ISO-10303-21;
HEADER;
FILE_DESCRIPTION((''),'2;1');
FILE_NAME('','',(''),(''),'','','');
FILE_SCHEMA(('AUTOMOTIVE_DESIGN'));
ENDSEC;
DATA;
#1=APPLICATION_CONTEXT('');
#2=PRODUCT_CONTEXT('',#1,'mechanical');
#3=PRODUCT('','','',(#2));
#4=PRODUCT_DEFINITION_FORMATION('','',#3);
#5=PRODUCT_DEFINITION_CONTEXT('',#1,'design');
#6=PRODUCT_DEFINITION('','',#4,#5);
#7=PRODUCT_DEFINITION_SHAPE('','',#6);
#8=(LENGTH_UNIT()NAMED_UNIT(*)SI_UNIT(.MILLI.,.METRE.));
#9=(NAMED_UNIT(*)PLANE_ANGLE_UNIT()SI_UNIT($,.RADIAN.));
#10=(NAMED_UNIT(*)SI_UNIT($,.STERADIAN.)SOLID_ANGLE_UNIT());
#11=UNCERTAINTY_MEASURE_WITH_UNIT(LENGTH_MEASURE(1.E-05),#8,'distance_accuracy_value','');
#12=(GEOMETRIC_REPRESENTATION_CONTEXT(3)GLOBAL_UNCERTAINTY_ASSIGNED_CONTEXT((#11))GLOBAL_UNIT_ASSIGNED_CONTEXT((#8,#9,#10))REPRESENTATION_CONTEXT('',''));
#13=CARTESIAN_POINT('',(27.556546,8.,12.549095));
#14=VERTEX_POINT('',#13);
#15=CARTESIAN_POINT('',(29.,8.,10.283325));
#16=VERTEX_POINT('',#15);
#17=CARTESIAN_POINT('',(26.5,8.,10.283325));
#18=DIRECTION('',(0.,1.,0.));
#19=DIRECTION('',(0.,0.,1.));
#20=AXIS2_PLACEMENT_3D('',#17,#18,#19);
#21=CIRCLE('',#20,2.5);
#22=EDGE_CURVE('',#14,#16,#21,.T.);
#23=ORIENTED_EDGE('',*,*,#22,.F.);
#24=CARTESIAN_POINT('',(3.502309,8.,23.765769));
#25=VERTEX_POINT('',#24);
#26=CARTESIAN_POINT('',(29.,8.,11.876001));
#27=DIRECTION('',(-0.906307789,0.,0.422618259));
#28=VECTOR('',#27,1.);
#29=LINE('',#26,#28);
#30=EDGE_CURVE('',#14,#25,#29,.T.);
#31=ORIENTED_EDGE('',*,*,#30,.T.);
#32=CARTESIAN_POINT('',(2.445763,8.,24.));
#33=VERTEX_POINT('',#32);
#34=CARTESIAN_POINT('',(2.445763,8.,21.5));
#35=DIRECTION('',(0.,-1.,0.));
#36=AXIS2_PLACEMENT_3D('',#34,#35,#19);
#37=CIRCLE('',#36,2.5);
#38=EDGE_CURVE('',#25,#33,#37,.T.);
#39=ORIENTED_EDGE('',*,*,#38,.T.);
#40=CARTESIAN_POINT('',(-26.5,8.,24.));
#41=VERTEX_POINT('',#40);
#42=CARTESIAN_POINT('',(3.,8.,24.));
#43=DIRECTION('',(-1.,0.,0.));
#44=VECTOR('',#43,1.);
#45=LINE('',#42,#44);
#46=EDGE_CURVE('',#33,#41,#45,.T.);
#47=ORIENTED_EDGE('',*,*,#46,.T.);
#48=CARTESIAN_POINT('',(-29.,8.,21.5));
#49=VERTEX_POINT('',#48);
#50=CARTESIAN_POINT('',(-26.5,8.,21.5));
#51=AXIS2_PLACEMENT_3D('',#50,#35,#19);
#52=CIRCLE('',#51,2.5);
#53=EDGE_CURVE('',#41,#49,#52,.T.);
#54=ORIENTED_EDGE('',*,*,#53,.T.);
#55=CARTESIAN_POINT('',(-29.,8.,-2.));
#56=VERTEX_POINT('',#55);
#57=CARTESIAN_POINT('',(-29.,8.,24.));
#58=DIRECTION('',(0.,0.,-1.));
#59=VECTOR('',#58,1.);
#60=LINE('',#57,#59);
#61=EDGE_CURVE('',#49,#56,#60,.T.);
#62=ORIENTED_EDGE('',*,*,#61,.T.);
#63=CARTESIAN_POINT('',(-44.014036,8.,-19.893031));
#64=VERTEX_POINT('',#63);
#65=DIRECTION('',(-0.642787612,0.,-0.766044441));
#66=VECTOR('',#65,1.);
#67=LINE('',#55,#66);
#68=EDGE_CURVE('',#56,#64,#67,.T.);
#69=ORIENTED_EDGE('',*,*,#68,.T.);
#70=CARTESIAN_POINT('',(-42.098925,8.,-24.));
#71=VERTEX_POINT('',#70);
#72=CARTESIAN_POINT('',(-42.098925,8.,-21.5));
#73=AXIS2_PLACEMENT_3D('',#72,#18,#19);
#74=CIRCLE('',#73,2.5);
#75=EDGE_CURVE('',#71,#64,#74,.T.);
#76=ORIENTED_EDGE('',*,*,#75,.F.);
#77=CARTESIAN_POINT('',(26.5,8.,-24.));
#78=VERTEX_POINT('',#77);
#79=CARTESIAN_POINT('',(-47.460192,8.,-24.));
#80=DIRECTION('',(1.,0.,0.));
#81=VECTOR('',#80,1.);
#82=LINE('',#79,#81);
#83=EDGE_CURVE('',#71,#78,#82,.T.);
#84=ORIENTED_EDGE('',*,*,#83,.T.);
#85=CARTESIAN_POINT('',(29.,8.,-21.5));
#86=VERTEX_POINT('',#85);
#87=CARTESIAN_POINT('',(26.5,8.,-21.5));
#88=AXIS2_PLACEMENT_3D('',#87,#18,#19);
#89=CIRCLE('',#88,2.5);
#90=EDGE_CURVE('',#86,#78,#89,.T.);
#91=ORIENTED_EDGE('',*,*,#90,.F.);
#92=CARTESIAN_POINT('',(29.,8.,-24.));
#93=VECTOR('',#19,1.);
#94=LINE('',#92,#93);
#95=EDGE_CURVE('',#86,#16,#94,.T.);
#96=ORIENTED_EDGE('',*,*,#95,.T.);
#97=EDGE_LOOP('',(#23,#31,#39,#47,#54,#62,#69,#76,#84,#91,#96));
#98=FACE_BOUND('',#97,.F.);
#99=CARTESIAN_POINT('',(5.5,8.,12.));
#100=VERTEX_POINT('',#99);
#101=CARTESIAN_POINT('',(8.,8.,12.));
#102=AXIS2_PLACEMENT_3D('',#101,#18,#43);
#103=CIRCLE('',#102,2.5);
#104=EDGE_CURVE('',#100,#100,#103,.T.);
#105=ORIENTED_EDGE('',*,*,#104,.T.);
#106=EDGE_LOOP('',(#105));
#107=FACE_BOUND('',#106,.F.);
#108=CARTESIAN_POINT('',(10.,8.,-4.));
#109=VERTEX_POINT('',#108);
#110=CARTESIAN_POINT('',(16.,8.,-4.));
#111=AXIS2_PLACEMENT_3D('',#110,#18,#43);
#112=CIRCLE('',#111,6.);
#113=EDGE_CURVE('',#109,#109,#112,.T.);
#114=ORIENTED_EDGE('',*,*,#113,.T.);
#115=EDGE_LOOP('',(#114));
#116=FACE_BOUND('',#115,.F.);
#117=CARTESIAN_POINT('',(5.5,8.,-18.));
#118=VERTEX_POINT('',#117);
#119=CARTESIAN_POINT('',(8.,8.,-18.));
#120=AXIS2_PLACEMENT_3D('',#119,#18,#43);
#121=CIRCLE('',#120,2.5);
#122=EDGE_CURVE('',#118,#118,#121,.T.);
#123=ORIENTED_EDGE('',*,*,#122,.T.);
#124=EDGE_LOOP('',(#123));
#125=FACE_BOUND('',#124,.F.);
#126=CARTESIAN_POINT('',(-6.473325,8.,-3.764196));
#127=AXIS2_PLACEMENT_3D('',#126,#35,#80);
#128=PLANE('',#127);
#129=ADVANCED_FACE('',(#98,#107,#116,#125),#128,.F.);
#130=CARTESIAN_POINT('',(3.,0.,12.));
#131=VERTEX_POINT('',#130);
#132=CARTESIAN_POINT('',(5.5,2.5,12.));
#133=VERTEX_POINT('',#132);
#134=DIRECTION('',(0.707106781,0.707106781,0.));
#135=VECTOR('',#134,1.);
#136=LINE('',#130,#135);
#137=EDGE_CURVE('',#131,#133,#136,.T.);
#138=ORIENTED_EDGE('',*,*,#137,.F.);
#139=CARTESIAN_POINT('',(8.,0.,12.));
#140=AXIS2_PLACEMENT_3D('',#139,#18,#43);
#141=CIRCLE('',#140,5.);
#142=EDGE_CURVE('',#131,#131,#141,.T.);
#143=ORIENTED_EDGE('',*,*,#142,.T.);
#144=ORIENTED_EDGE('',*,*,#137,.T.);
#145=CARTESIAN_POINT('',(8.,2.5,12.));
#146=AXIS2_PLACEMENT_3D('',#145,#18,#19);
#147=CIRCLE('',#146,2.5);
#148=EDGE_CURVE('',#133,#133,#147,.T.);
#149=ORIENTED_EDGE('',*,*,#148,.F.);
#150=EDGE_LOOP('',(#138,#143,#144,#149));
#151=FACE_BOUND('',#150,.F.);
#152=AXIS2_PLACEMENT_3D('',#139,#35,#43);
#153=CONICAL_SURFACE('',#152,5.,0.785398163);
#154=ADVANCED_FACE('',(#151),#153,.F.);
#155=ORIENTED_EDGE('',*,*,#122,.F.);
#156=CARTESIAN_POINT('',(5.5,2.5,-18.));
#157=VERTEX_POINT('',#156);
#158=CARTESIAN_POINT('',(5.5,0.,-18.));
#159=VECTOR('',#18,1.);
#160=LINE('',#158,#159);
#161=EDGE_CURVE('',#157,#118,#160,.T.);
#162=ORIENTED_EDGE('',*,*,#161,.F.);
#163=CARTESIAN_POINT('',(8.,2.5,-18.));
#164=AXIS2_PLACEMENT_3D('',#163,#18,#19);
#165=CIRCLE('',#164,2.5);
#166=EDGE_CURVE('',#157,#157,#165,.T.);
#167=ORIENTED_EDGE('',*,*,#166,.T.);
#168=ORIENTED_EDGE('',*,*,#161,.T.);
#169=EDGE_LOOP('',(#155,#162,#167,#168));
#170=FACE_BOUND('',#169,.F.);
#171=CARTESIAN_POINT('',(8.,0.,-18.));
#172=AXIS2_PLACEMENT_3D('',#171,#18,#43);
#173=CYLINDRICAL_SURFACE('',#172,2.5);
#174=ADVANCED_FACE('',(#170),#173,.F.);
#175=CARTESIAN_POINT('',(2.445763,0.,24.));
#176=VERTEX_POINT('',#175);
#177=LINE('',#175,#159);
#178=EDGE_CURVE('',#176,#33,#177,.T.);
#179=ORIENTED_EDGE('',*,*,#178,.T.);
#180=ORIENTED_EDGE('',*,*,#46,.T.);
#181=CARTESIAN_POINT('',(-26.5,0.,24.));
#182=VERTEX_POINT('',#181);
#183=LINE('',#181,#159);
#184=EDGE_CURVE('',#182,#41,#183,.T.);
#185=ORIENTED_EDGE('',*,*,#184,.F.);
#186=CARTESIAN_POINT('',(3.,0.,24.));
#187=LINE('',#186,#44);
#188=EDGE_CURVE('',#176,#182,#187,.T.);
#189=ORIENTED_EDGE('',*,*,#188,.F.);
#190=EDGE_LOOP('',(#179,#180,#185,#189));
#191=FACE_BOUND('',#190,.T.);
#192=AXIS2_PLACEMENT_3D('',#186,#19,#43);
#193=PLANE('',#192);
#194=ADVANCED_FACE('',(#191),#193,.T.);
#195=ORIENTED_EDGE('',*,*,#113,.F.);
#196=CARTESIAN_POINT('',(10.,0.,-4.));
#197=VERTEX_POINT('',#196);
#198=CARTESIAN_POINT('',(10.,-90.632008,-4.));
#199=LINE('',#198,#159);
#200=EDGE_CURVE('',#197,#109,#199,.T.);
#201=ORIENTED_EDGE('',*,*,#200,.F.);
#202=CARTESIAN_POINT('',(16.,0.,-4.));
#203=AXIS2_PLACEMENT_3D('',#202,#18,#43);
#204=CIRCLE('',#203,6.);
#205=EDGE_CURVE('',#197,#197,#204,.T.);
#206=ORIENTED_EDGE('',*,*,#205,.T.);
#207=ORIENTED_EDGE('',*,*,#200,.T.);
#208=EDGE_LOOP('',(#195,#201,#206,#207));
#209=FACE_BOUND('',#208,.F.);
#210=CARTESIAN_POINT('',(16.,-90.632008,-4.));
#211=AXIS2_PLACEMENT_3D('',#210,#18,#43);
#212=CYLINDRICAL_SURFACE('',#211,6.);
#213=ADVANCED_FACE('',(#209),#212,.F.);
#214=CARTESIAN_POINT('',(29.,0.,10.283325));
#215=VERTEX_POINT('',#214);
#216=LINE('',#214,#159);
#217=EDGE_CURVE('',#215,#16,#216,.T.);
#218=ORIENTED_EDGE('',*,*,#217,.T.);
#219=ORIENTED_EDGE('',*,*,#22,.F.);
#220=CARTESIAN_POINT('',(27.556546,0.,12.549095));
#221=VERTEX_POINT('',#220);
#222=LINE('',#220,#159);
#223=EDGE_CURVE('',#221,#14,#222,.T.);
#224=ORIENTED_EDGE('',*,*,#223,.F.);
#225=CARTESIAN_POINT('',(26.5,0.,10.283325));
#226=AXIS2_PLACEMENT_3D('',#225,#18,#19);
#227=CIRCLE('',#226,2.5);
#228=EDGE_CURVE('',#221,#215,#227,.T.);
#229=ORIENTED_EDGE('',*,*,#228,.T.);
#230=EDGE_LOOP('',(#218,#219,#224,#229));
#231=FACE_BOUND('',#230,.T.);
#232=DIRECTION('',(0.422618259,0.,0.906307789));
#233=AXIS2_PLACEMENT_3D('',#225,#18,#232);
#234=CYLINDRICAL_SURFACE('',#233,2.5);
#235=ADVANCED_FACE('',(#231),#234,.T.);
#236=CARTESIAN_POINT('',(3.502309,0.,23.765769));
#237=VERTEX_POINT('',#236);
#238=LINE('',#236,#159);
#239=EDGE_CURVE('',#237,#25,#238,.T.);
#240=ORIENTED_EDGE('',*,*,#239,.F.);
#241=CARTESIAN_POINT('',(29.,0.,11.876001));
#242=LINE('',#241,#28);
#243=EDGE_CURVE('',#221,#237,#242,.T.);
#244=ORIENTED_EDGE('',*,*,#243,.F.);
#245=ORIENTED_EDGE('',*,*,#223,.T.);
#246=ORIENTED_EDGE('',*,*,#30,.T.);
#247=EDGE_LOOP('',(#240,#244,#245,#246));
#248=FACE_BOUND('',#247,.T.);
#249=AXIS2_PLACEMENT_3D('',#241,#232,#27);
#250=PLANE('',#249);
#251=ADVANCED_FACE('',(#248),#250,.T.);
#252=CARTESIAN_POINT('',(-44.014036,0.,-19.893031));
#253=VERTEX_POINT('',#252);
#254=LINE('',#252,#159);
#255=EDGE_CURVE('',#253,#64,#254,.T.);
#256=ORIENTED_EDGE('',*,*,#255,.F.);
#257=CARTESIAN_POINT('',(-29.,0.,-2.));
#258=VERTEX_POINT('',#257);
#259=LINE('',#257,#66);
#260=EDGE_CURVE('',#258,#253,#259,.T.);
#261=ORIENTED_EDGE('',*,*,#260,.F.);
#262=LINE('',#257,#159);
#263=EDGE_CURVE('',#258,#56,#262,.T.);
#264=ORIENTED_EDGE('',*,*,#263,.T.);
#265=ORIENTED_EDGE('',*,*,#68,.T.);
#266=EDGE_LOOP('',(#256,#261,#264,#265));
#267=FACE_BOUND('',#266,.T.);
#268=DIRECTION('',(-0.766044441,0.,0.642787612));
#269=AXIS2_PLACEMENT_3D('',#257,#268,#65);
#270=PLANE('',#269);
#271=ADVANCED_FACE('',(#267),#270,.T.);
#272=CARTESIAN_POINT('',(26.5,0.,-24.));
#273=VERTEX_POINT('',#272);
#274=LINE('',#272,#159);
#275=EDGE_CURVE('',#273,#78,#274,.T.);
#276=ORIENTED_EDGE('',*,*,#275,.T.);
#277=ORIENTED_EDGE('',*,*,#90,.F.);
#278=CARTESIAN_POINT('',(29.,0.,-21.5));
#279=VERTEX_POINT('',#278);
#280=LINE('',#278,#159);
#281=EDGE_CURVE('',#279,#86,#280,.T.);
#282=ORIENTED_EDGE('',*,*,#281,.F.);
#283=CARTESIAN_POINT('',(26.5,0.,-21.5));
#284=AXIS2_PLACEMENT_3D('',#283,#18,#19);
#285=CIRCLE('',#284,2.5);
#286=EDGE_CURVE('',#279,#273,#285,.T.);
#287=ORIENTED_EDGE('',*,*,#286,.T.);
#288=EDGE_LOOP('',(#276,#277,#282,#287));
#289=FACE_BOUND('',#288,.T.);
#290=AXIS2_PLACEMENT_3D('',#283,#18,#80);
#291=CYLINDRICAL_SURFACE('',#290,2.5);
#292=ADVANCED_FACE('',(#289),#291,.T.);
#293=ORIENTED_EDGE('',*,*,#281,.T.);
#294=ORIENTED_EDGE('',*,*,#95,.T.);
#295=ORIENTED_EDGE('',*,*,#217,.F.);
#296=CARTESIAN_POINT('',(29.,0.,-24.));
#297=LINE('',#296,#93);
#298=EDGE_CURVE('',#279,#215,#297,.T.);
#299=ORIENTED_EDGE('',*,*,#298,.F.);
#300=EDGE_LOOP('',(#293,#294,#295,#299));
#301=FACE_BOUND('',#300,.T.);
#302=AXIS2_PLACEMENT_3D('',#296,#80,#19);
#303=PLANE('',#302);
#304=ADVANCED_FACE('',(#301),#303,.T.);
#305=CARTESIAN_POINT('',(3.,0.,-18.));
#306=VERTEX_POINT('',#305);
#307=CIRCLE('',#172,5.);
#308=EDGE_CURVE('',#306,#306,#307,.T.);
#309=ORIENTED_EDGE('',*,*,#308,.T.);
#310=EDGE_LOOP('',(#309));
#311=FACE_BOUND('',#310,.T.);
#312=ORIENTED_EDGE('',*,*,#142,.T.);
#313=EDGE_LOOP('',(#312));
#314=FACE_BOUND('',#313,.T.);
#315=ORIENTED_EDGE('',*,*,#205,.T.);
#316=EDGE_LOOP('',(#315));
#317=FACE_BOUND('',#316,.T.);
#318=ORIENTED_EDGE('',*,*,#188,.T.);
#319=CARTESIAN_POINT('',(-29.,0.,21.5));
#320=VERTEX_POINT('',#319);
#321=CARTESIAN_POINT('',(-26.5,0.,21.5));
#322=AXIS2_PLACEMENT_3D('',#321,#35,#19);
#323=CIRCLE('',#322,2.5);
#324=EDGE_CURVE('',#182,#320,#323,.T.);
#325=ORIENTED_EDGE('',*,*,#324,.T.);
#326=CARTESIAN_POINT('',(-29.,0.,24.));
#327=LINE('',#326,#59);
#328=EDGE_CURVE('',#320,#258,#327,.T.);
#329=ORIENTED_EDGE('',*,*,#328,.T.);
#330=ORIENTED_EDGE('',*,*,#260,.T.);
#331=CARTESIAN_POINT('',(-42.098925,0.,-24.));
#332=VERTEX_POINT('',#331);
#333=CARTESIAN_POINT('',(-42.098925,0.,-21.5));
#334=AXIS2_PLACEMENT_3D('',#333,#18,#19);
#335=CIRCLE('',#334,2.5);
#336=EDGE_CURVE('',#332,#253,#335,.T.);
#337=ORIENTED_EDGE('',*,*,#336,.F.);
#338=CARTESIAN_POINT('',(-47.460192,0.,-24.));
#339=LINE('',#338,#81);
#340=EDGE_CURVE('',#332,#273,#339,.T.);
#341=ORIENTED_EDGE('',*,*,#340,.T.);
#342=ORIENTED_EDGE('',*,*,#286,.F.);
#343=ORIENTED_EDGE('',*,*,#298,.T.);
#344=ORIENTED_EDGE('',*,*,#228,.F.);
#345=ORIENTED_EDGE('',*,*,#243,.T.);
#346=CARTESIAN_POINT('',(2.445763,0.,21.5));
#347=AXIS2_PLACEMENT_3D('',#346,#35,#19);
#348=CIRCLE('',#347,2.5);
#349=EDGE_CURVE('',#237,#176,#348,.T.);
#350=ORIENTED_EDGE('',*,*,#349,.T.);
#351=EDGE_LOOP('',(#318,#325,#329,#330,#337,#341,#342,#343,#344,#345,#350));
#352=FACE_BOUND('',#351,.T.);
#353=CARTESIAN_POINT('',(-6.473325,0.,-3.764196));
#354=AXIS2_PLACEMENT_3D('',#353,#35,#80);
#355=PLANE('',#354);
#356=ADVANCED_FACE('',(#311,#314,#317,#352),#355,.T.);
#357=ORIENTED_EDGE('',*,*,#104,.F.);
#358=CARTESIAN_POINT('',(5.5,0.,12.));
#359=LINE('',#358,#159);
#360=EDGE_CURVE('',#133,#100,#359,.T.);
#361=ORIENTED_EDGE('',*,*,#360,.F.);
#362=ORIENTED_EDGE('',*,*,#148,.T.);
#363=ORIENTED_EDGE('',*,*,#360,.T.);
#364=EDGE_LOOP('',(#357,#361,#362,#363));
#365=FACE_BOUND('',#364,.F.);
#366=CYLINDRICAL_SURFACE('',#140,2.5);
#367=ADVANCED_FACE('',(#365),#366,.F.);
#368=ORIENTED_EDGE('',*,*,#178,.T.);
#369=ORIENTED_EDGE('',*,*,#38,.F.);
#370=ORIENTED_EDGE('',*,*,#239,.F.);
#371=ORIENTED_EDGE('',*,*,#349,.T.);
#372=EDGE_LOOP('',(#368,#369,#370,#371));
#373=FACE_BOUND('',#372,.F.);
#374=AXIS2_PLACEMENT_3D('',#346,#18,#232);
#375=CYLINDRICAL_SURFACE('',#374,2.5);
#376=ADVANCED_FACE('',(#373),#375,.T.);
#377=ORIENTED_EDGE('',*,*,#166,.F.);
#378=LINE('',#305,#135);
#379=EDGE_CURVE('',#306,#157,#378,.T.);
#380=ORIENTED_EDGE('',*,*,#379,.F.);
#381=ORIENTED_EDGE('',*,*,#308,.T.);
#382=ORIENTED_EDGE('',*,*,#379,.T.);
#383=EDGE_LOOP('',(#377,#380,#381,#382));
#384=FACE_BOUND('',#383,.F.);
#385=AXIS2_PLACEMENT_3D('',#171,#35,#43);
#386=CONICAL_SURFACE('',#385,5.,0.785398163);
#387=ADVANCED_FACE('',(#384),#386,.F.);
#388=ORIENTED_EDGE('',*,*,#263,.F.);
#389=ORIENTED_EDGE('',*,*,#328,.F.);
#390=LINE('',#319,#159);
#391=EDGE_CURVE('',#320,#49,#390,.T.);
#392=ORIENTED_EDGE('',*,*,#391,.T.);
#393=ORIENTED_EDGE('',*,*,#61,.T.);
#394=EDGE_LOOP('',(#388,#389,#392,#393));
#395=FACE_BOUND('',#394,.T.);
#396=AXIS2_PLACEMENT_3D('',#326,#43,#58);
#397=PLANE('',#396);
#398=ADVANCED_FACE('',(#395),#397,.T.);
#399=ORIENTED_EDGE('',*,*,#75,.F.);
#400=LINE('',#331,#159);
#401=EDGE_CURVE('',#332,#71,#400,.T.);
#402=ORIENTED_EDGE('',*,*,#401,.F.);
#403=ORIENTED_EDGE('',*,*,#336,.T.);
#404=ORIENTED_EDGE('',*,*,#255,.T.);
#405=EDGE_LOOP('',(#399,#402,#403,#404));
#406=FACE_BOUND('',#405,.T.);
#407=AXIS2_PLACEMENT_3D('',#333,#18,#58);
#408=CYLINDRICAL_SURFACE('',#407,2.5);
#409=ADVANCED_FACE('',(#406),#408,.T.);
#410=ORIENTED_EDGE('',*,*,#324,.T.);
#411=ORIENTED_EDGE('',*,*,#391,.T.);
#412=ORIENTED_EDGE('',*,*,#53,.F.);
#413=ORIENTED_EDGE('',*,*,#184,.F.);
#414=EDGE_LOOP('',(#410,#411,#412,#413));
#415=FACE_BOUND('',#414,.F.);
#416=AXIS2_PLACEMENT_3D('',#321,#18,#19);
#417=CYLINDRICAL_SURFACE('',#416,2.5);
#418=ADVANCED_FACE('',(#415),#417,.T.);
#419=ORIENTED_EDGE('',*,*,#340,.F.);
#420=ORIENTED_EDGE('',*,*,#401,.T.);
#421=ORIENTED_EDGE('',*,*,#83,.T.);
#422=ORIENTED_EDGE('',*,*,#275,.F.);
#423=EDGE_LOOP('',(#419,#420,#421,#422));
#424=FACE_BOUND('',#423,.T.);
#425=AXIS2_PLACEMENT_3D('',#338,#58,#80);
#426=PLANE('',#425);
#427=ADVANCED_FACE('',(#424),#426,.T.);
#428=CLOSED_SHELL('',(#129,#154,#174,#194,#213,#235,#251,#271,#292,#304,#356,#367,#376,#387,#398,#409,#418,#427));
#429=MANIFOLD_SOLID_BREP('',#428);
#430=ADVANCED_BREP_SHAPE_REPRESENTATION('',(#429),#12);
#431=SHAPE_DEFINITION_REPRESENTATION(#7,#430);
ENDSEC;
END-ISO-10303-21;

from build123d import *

# Parameters (mm, degrees)
F1_DEPTH       = 8
F2_D           = 5
F2_CSINK_D     = 10
F2_CSINK_ANGLE = 90
F3_D           = 12
F4_R           = 2.5


with BuildPart() as f1:
    # F0 (on Front) → F1 (new body)
    with BuildSketch(Plane.XZ):
        Polygon((29, 11.876001), (3, 24), (-29, 24), (-29, -2), (-47.460192, -24), (3, -24), (29, -24), align=None)
    extrude(amount=-F1_DEPTH)

    # F2 (through all)
    with Locations(Plane.XZ):
        with Locations((8, -18), (8, 12)):
            CounterSinkHole(F2_D / 2, F2_CSINK_D / 2, counter_sink_angle=F2_CSINK_ANGLE)

    # F3 (through all)
    with Locations(Plane.XZ):
        with Locations((16, -4)):
            Hole(F3_D / 2)

    # F4
    f4_edges = [f1.edges().sort_by_distance(p)[0] for p in [
        (-47.460192, 4, -24),
        (-29, 4, 24),
        (3, 4, 24),
        (29, 4, 11.876001),
        (29, 4, -24),
    ]]
    fillet(f4_edges, radius=F4_R)


solid = f1.part
